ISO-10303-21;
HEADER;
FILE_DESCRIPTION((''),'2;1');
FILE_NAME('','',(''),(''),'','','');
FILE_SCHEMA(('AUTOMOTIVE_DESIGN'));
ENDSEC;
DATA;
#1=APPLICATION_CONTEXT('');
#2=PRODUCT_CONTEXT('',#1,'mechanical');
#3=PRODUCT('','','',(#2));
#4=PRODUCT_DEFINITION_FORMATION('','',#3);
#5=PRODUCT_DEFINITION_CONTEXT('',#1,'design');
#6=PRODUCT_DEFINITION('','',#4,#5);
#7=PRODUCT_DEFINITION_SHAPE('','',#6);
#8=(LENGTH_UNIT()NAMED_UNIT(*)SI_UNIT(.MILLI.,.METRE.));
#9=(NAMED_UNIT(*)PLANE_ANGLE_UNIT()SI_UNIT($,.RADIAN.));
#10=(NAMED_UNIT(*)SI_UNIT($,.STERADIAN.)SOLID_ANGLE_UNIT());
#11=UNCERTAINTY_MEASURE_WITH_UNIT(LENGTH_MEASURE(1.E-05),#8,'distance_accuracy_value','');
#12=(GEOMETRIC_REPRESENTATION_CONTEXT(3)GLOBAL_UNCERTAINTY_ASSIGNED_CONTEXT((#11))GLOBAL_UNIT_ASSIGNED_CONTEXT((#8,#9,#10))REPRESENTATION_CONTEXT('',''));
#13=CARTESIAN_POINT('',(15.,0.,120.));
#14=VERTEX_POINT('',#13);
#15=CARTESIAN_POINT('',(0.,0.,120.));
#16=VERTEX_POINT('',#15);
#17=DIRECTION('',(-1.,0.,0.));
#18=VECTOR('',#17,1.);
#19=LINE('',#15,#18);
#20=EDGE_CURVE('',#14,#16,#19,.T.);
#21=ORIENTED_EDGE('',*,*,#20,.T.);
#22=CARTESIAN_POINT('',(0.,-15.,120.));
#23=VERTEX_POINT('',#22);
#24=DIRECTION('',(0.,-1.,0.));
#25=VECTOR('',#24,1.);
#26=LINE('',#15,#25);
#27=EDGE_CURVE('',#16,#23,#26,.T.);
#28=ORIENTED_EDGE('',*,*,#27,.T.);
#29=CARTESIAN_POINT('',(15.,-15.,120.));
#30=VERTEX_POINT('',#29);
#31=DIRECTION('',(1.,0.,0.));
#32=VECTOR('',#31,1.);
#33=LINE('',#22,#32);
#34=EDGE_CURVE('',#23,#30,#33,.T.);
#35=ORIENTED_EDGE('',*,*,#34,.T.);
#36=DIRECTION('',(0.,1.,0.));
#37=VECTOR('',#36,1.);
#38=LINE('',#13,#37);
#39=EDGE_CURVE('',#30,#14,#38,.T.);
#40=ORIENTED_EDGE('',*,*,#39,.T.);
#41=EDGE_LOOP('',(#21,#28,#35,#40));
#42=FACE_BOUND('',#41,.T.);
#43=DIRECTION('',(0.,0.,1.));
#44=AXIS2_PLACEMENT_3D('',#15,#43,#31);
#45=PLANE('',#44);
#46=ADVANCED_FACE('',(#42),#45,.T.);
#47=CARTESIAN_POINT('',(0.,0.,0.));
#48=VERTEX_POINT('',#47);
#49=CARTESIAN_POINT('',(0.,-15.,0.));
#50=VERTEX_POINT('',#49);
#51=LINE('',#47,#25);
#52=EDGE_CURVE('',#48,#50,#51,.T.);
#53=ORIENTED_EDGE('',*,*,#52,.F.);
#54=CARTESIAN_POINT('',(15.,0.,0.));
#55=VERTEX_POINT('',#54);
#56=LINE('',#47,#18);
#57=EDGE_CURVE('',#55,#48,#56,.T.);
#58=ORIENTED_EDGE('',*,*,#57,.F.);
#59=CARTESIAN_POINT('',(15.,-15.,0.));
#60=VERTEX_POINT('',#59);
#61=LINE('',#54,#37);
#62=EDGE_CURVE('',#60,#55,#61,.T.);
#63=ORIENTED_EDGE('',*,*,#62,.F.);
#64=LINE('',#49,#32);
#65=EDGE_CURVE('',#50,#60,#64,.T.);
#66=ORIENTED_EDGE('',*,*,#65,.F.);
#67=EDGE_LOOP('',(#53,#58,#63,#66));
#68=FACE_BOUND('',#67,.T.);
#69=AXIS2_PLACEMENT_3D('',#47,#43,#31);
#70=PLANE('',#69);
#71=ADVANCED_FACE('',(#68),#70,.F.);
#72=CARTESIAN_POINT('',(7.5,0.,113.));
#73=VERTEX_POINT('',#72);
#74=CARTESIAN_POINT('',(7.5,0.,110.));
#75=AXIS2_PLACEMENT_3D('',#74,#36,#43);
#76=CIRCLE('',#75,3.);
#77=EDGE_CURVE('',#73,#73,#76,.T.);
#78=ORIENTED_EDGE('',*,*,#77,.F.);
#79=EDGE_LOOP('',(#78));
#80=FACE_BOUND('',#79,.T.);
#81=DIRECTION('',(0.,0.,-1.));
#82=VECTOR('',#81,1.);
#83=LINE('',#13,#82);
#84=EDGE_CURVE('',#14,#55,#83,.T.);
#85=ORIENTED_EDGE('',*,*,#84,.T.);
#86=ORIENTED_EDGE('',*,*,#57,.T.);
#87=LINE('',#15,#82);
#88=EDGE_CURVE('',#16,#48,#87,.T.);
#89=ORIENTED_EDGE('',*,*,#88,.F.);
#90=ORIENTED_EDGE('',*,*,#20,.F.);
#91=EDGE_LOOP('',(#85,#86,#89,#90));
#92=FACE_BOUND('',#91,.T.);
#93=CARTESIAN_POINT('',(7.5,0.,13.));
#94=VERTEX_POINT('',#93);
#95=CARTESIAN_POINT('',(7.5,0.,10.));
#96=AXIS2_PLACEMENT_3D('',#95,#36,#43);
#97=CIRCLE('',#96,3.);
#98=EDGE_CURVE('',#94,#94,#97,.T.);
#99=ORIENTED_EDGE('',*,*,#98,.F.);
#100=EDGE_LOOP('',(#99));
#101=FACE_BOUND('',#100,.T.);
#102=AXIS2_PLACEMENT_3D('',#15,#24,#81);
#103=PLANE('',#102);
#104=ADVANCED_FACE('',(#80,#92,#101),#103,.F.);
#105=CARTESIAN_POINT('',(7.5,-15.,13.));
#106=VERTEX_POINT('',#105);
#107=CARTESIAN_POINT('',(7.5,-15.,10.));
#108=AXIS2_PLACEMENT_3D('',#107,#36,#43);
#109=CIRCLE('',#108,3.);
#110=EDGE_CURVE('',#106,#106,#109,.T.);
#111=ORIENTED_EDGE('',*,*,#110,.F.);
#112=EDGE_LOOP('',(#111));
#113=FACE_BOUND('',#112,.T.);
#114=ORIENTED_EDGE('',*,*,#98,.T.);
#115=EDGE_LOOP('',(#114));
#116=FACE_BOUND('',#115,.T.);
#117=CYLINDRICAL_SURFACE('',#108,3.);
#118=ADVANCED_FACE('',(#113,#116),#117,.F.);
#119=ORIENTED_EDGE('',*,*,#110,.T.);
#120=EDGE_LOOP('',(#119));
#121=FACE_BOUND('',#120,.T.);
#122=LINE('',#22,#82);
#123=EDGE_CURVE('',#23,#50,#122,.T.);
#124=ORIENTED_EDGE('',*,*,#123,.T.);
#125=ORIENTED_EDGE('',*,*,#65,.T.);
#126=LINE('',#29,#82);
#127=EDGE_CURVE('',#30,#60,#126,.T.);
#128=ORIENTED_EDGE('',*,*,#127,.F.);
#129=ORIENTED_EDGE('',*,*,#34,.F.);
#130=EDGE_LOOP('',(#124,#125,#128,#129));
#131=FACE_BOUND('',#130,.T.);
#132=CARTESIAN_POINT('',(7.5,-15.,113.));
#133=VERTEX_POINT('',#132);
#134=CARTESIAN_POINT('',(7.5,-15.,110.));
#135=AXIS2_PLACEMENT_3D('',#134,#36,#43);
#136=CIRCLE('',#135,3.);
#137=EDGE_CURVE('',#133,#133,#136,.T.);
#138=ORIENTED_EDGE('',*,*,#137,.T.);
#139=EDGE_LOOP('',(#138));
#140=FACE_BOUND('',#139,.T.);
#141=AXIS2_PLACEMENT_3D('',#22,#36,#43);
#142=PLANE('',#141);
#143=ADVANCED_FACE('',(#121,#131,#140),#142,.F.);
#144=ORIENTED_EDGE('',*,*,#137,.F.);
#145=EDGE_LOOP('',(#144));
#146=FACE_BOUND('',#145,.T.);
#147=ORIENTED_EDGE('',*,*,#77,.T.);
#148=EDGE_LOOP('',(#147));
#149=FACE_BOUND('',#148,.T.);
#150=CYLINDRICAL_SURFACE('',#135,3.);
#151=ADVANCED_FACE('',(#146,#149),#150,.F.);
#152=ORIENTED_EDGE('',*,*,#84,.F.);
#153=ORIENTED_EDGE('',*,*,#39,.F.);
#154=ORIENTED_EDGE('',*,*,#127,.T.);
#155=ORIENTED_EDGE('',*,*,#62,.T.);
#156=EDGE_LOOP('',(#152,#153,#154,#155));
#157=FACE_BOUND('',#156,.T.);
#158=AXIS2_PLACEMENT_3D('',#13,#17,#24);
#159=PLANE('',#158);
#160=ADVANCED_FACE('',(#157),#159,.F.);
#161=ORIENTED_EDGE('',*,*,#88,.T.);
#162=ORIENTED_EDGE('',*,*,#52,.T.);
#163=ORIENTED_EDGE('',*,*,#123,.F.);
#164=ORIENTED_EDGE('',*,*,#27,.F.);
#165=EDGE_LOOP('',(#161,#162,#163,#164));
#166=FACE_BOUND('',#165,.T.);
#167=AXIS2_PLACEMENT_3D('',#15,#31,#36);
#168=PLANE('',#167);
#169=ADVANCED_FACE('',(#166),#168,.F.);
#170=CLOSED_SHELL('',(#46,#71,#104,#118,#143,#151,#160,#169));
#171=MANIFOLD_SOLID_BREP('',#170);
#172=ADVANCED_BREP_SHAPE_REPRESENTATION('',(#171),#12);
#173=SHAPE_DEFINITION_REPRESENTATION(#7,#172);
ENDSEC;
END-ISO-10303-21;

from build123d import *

# Parameters (mm, degrees)
SKETCH_1_W          = 15
SKETCH_1_H          = 15
EXTRUDE_1_DEPTH     = 120
SKETCH_2_R          = 3
CUT_EXTRUDE_1_DEPTH = 122.86057607


with BuildPart() as part:
    # 草图1 → 凸台-拉伸1 (new body)
    with BuildSketch(Plane.XY):
        with Locations((7.5, -7.5)):
            Rectangle(SKETCH_1_W, SKETCH_1_H)
    extrude(amount=EXTRUDE_1_DEPTH)

    # 草图2 → 切除-拉伸1 (cut, through all)
    with BuildSketch(Plane(origin=(0, 0, 0), x_dir=(1, 0, 0), z_dir=(0, 1, 0))):
        with Locations(Location((7.5, -10, 0), (0, 0, 270))):
            Circle(SKETCH_2_R)
        with Locations(Location((7.5, -110, 0), (0, 0, 270))):
            Circle(SKETCH_2_R)
    extrude(amount=-CUT_EXTRUDE_1_DEPTH, mode=Mode.SUBTRACT)


solid = part.part
